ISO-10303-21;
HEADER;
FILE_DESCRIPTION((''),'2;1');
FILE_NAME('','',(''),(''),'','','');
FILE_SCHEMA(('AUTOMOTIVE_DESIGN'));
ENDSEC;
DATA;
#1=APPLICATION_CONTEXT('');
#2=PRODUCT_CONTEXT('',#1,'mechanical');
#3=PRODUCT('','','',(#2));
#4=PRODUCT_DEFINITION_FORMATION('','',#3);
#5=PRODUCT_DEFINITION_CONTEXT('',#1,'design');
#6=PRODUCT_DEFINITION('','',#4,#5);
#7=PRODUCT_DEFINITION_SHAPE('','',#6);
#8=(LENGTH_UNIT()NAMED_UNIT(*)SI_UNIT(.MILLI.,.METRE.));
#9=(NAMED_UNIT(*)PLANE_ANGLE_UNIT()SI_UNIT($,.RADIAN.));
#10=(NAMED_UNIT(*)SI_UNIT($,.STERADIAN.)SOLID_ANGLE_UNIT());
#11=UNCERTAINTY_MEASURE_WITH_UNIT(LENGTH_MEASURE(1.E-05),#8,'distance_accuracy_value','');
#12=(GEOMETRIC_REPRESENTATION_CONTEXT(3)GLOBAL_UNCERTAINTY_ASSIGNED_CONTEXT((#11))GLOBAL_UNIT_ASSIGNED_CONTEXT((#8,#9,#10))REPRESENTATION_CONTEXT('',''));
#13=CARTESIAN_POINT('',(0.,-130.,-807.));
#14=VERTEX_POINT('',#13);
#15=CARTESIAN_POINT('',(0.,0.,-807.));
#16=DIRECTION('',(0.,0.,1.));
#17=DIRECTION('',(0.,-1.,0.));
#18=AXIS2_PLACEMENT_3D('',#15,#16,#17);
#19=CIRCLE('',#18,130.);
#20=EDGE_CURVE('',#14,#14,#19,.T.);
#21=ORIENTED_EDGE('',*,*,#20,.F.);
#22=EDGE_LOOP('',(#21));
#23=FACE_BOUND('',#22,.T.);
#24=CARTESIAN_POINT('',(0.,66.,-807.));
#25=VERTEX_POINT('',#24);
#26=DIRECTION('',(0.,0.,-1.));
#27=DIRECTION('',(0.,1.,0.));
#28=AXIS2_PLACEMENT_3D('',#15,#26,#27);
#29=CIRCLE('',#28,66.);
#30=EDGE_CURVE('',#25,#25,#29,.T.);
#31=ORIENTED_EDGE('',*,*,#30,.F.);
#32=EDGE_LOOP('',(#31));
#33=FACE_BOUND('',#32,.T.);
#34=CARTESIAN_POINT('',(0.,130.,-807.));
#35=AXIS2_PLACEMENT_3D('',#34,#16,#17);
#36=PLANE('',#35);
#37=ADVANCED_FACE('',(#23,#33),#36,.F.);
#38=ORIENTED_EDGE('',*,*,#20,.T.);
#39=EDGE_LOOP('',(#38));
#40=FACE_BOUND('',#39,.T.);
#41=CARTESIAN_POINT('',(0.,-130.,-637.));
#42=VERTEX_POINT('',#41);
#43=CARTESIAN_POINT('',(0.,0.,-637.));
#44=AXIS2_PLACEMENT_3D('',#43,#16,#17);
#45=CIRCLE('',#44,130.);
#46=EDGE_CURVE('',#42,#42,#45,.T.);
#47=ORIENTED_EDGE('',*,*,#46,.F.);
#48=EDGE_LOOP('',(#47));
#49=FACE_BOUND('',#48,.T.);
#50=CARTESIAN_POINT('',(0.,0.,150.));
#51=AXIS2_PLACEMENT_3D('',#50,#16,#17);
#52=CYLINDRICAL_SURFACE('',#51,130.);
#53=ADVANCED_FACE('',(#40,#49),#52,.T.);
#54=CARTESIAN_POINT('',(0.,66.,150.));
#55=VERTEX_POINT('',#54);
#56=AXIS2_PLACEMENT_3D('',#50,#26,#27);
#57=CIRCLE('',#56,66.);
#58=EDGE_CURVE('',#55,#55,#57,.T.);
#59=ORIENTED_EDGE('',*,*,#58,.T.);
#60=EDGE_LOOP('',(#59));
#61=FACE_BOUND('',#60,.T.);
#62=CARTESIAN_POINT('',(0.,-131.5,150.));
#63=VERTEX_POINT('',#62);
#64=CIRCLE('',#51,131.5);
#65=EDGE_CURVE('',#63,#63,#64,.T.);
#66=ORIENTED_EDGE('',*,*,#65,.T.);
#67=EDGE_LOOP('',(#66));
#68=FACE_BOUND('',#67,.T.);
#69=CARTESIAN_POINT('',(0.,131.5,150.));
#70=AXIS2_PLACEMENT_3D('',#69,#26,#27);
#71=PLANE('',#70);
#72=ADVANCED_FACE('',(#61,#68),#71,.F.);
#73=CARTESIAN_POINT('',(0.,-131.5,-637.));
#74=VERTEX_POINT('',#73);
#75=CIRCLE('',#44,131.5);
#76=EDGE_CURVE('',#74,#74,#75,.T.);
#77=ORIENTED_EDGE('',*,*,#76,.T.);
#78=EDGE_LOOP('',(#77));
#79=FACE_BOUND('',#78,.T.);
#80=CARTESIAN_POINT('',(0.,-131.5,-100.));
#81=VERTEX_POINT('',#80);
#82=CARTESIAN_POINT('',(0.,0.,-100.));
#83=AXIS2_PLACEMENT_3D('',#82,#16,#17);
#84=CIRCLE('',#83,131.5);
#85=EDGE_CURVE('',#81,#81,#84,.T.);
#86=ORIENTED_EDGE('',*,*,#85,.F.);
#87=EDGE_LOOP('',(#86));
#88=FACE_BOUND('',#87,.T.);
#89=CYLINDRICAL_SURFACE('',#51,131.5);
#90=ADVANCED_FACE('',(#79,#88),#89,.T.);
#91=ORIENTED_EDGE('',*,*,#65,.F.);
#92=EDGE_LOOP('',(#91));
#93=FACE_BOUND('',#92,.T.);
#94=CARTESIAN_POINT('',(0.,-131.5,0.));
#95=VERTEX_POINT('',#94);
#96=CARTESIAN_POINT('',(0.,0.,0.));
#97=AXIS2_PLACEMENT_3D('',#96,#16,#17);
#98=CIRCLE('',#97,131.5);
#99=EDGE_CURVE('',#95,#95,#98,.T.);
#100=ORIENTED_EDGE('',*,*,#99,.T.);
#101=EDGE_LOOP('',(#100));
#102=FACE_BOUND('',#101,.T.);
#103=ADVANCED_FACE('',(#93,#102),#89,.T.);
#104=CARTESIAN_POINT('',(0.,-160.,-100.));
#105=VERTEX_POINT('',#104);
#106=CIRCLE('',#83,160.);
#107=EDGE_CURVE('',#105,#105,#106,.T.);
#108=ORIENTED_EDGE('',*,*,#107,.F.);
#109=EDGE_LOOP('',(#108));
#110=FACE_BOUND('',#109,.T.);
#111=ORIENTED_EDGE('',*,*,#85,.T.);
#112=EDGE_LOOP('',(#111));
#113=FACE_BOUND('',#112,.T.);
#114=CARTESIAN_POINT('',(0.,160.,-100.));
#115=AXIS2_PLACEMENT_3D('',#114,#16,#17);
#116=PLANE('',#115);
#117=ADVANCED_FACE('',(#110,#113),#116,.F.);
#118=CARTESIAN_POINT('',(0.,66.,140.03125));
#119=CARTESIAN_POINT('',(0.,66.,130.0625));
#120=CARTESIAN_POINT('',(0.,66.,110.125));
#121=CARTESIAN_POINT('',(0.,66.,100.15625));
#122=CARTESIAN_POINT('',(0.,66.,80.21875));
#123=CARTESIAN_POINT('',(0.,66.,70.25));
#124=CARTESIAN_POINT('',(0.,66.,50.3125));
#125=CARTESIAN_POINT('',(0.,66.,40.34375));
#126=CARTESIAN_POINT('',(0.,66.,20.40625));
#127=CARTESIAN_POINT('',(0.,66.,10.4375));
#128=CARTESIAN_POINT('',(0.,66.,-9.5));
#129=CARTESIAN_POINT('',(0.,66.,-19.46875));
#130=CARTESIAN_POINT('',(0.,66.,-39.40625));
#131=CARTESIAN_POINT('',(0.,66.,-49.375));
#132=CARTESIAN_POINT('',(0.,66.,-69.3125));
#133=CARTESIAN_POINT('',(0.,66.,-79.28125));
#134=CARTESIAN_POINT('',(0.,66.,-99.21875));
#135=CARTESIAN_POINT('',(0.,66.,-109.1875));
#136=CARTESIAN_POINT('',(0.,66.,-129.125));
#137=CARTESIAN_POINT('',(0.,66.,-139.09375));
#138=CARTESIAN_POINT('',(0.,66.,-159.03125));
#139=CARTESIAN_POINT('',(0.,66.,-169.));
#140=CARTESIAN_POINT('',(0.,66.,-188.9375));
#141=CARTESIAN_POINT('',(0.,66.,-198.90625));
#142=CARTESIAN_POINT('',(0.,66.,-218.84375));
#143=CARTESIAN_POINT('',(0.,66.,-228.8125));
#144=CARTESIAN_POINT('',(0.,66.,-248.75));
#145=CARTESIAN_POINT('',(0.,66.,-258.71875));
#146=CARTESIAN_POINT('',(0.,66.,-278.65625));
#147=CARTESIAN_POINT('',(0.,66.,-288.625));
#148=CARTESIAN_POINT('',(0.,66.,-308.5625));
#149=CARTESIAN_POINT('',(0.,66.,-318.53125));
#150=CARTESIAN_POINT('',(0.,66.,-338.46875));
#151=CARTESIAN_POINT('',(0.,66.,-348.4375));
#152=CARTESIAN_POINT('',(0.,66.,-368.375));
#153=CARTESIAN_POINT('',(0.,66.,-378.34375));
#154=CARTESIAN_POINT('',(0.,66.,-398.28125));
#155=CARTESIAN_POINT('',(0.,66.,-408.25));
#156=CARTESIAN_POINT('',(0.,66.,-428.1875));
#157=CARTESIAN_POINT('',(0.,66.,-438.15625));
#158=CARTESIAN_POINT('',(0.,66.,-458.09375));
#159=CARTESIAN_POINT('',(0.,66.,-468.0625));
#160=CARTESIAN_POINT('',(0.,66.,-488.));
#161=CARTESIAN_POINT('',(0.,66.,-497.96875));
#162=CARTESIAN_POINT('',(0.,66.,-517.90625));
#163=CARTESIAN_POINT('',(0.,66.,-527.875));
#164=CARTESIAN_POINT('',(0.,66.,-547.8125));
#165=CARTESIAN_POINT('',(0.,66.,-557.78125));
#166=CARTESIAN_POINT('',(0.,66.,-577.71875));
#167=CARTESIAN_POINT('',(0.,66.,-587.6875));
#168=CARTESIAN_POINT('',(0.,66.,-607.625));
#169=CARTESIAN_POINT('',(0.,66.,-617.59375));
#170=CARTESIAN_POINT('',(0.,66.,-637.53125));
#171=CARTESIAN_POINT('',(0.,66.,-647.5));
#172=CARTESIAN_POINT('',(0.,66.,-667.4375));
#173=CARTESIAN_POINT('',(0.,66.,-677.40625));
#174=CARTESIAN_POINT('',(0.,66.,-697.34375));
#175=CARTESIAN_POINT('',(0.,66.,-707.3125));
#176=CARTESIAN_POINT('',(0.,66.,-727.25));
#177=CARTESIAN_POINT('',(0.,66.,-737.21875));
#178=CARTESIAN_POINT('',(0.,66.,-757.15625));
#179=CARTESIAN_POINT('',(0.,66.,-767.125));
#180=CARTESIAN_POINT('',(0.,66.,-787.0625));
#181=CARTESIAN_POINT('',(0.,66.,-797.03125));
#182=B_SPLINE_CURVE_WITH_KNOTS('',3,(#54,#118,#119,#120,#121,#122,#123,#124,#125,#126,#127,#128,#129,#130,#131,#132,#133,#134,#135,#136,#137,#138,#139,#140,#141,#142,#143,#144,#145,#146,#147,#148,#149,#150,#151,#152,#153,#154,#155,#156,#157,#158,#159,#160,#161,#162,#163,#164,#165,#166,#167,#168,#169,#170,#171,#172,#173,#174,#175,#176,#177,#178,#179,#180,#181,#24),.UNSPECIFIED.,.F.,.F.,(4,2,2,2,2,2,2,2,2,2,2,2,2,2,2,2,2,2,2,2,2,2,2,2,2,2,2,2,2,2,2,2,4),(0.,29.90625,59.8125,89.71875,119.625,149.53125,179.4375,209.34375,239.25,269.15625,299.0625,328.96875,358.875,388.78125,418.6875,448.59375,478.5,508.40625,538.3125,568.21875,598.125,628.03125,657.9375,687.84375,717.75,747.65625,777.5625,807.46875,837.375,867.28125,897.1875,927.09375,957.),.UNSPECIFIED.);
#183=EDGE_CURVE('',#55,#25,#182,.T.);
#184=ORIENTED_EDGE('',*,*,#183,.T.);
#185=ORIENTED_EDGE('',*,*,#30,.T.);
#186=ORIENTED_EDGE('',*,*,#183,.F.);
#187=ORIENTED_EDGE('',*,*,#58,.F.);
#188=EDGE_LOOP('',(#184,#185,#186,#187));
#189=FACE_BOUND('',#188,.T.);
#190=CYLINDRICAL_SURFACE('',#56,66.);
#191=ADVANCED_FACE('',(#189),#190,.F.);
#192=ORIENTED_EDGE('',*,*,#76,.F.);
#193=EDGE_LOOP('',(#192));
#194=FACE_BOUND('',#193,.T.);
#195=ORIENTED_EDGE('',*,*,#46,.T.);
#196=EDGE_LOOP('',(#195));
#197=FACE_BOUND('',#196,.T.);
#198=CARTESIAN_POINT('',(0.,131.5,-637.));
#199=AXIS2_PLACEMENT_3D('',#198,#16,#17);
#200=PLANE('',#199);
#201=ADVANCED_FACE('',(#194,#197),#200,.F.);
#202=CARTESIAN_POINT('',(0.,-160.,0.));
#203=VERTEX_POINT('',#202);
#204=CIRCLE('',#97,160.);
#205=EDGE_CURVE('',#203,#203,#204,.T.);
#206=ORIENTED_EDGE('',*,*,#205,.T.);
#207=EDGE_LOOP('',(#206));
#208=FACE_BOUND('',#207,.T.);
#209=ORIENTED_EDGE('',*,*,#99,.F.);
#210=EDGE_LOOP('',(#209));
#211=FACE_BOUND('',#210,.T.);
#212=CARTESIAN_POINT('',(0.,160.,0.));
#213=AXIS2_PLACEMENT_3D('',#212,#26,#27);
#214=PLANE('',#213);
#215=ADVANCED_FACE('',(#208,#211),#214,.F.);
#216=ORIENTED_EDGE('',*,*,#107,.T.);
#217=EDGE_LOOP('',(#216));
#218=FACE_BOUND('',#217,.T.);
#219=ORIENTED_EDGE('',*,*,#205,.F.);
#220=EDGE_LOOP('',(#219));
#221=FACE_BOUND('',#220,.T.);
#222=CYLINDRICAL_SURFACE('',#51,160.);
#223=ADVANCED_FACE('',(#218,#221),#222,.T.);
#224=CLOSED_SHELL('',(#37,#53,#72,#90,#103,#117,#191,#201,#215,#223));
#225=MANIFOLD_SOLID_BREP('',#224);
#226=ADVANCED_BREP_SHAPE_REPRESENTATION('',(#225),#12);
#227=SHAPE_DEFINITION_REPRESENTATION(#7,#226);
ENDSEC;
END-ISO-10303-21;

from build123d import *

# Parameters (mm, degrees)
SKETCH2_R          = 66
CUT_EXTRUDE1_DEPTH = 984.386495738


with BuildPart() as part:
    # Sketch1 → Revolve1 (revolve)
    with BuildSketch(Plane(origin=(0, 0, 0), x_dir=(0, 0, -1), z_dir=(1, 0, 0)), mode=Mode.PRIVATE) as revolve1_sk:
        Polygon((0, 160), (100, 160), (100, 131.5), (637, 131.5), (637, 130), (807, 130), (807, 0), (-150, 0), (-150, 131.5), (-100, 131.5), (-50, 131.5), (0, 131.5), align=None)
    revolve(revolve1_sk.sketch.rotate(Axis((0, 0, 150), (0, 0, -1)), 180), axis=Axis((0, 0, 150), (0, 0, -1)))

    # Sketch2 → Cut-Extrude1 (cut, through all)
    with BuildSketch(Plane(origin=(0, 0, -807), x_dir=(-1, 0, 0), z_dir=(0, 0, -1))):
        with Locations(Location((0, 0, 0), (0, 0, 90))):
            Circle(SKETCH2_R)
    extrude(amount=-CUT_EXTRUDE1_DEPTH, mode=Mode.SUBTRACT)


solid = part.part
